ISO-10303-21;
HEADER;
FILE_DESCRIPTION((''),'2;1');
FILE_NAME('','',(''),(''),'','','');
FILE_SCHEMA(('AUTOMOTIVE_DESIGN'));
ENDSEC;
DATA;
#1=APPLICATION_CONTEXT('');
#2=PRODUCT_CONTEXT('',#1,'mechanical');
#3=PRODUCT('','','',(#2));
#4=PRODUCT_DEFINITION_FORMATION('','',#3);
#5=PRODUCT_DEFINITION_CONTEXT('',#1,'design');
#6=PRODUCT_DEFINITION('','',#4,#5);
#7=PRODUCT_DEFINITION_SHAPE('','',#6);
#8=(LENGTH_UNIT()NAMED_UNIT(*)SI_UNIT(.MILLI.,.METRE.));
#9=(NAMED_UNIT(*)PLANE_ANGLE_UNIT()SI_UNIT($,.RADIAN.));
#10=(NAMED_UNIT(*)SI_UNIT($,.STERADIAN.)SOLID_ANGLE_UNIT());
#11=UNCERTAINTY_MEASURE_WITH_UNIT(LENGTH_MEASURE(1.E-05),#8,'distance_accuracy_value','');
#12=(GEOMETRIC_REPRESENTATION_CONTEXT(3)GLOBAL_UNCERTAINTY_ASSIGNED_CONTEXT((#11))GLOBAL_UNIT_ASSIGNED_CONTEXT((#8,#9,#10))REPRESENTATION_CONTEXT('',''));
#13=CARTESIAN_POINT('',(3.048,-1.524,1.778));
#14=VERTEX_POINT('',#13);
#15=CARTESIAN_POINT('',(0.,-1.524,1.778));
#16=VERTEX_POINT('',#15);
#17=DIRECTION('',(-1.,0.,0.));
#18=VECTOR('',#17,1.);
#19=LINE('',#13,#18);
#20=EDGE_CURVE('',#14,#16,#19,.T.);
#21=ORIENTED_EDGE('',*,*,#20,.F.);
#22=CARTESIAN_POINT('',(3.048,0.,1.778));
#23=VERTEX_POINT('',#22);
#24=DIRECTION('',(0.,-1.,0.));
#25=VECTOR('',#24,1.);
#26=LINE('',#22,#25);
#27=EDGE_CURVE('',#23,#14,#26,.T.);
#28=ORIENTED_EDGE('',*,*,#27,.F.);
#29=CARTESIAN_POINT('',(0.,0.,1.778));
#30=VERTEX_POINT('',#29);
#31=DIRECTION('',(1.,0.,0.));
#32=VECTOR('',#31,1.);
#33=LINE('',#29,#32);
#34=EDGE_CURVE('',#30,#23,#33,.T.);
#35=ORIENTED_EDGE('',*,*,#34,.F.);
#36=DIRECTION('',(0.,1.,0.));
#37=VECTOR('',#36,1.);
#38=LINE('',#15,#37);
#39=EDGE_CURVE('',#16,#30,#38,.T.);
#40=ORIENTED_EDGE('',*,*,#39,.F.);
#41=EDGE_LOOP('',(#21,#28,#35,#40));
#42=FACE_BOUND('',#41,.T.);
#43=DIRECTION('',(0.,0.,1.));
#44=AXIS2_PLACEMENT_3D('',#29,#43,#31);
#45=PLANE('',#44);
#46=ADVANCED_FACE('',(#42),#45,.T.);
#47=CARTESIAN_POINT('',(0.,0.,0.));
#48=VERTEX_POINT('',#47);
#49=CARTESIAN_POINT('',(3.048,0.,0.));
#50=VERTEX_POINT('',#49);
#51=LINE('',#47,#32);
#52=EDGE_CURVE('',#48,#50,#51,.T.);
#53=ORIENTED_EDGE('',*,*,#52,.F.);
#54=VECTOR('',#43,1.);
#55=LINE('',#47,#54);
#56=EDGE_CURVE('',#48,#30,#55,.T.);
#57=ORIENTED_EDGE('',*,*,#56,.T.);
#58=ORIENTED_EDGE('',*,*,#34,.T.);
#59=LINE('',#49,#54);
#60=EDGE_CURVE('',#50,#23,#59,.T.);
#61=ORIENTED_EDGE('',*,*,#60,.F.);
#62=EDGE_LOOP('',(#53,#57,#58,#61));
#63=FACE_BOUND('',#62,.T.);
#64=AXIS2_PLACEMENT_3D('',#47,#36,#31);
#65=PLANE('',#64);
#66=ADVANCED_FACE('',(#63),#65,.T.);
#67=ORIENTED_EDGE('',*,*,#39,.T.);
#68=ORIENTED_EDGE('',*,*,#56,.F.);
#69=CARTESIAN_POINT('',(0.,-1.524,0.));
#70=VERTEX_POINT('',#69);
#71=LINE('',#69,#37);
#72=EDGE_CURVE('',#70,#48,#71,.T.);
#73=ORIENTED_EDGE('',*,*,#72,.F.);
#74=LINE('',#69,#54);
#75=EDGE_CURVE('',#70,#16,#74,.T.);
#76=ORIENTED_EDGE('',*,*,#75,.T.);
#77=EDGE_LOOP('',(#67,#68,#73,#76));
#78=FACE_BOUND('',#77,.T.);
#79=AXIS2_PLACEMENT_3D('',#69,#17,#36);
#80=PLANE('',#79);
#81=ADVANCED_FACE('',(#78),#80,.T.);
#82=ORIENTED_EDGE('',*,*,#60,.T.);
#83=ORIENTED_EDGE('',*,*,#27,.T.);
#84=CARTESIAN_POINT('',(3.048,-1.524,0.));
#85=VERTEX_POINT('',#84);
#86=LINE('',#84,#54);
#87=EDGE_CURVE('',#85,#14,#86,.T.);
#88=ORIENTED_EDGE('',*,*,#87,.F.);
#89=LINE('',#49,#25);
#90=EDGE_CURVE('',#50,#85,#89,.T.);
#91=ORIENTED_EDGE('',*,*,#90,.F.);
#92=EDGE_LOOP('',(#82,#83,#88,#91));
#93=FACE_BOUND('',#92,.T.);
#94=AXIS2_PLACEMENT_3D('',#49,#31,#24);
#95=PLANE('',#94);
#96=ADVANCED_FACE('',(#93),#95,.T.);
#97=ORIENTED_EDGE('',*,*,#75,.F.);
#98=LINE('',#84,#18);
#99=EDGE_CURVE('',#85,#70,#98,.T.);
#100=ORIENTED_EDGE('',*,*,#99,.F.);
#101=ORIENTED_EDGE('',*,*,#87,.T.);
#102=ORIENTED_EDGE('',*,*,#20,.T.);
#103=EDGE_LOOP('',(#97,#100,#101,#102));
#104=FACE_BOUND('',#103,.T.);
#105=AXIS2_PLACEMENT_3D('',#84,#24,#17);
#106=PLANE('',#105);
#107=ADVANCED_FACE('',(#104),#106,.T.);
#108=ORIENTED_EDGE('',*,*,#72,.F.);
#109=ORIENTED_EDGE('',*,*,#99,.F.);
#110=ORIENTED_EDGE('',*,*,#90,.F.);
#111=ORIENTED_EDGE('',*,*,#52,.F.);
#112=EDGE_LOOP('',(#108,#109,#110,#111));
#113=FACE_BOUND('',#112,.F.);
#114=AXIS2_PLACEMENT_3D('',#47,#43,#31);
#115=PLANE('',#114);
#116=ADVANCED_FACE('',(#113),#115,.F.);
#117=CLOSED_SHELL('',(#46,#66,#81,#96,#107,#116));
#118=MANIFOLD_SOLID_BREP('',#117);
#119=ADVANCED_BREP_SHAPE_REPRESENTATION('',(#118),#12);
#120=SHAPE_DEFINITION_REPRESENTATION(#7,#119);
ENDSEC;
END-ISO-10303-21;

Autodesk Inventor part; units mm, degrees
ref_plane "YZ Plane" through (0, 0, 0) normal (1, 0, 0) x (0, 1, 0)
ref_plane "XZ Plane" through (0, 0, 0) normal (0, 1, 0) x (-1, 0, 0)
ref_plane "XY Plane" through (0, 0, 0) normal (0, 0, 1) x (1, 0, 0)
sketch "Sketch1" plane through (0, 0, 0) normal (0, 0, 1) x (1, 0, 0)
  line L0 (0, 0) -> (3.048, 0)
  line L1 (3.048, 0) -> (3.048, -1.524)
  line L2 (3.048, -1.524) -> (0, -1.524)
  line L3 (0, -1.524) -> (0, 0)
  dimension "d0" = 3.048
  dimension "d1" = 1.524
extrude "Extrusion1" add sketch "Sketch1" along normal blind 1.778
properties part number "SMD Resistor LG" material "Copper"
